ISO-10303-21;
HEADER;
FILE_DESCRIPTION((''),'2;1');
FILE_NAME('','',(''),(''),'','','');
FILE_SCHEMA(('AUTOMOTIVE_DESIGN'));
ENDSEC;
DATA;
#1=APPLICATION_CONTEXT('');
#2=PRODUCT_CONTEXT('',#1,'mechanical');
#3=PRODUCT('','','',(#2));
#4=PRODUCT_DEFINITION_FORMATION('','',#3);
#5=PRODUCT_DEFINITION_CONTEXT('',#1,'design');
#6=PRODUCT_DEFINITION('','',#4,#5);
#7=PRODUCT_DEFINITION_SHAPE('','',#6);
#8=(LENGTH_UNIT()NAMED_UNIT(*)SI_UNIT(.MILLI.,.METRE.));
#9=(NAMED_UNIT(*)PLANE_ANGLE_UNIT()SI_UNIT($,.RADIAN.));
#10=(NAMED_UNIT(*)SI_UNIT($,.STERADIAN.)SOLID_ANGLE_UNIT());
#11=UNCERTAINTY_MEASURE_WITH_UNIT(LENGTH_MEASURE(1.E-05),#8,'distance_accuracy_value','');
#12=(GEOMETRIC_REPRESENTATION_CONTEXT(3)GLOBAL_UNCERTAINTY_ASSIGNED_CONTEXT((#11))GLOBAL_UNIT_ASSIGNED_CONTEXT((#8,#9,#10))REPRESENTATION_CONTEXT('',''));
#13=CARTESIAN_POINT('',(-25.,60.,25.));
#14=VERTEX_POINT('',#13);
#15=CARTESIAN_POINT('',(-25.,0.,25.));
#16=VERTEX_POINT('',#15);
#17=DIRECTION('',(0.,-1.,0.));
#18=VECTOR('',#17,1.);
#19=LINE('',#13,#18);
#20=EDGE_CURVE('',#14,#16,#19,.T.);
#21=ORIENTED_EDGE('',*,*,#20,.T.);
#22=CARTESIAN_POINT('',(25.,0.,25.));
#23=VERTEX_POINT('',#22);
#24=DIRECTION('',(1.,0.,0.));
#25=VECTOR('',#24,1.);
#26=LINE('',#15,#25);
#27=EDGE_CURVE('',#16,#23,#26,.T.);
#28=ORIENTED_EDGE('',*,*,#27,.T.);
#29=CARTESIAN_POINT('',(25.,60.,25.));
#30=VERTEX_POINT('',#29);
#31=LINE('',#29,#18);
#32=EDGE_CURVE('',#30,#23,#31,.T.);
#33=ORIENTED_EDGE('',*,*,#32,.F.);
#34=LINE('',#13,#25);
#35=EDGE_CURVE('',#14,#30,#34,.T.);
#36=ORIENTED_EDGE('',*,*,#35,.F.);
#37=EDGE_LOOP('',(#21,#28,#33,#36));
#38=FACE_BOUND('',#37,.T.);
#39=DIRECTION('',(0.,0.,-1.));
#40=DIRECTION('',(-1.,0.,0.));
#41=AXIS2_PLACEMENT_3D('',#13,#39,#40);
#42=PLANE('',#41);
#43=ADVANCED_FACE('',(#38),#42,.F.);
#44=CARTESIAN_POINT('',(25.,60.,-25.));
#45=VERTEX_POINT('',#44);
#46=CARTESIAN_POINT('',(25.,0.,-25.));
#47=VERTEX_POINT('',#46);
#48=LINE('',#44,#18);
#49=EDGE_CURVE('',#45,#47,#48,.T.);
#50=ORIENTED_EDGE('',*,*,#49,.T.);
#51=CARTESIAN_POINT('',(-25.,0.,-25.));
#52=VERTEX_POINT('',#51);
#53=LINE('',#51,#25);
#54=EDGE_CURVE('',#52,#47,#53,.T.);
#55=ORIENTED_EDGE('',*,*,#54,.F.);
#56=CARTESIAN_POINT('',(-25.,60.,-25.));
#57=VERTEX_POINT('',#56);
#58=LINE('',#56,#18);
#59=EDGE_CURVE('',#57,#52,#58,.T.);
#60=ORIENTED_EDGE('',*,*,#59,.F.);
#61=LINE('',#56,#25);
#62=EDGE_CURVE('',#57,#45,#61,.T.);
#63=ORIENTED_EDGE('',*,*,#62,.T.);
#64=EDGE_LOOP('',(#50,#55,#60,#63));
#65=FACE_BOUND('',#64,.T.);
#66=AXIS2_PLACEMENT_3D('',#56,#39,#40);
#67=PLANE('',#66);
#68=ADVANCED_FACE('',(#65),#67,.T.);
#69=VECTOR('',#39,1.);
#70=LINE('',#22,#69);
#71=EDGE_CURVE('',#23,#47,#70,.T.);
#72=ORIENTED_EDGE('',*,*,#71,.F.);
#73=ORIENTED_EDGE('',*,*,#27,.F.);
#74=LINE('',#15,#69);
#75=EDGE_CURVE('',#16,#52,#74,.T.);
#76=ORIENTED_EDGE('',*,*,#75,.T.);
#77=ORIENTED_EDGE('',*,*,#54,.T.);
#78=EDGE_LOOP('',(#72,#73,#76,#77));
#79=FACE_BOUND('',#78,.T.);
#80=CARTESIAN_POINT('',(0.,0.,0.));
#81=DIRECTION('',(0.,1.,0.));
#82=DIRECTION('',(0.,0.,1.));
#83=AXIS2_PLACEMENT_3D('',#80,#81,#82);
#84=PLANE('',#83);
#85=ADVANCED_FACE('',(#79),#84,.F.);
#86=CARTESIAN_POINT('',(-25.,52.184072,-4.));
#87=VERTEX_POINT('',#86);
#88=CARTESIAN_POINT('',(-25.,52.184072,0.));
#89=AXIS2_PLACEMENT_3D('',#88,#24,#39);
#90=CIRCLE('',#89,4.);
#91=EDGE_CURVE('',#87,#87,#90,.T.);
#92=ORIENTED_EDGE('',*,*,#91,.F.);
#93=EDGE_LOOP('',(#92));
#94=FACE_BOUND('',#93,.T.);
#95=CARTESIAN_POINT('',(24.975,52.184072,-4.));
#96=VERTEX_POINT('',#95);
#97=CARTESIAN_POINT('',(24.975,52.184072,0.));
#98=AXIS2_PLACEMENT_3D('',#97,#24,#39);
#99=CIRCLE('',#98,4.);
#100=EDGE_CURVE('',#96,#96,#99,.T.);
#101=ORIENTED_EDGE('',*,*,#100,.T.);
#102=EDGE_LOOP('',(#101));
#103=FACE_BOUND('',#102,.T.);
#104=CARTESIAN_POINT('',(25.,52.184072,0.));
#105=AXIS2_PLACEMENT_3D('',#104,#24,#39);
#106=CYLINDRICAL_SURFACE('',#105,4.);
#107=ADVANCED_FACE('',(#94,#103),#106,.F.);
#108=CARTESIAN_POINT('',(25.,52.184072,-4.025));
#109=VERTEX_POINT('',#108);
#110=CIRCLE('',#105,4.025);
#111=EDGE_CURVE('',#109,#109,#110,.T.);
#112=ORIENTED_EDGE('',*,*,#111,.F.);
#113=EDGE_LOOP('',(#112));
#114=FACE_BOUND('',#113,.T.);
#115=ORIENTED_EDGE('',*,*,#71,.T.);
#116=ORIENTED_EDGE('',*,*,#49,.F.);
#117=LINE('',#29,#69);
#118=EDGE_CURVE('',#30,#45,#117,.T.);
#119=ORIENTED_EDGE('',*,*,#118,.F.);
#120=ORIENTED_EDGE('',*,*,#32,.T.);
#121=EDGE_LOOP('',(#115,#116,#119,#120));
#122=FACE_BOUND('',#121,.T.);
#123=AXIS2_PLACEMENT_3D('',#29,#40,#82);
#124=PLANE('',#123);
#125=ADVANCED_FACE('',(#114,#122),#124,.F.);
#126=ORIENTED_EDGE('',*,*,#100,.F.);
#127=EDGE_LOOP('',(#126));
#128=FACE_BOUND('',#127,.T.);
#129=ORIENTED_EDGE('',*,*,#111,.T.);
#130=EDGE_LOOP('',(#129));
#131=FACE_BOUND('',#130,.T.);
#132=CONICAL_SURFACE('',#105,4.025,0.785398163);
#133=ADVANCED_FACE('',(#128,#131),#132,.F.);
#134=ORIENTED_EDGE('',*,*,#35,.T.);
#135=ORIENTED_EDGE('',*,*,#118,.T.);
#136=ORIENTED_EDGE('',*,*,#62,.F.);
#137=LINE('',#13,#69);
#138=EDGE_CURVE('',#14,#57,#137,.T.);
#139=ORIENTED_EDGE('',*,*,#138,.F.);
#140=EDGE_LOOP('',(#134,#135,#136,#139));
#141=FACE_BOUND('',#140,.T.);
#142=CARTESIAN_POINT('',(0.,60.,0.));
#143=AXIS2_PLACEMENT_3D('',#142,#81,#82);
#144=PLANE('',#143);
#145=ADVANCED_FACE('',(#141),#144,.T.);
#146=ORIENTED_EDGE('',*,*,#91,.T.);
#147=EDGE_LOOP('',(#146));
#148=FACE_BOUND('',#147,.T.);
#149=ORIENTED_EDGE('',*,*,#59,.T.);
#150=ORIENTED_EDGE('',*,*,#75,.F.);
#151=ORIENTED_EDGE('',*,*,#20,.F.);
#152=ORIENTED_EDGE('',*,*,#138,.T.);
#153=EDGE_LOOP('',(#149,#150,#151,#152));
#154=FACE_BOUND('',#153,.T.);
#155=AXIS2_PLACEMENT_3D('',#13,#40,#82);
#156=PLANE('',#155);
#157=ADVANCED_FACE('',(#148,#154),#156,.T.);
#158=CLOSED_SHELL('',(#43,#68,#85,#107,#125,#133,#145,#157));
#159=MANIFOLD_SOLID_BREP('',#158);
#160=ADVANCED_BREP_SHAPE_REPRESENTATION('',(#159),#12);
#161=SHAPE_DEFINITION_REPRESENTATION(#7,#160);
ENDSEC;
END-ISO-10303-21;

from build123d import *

# Parameters (mm, degrees)
SKETCH1_W                       = 50
SKETCH1_H                       = 50
BOSS_EXTRUDE1_DEPTH             = 60
F_8_0MM_DOWEL_HOLE1_D           = 8
F_8_0MM_DOWEL_HOLE1_CSINK_D     = 8.05
F_8_0MM_DOWEL_HOLE1_CSINK_ANGLE = 90


with BuildPart() as part:
    # Sketch1 → Boss-Extrude1 (new body)
    with BuildSketch(Plane(origin=(0, 0, 0), x_dir=(1, 0, 0), z_dir=(0, 1, 0))):
        Rectangle(SKETCH1_W, SKETCH1_H)
    extrude(amount=BOSS_EXTRUDE1_DEPTH)

    # Ø8.0mm Dowel Hole1 (through all)
    with Locations(Plane(origin=(25, 0, 0), x_dir=(0, 0, -1), z_dir=(1, 0, 0))):
        with Locations((0, 52.184072135)):
            CounterSinkHole(F_8_0MM_DOWEL_HOLE1_D / 2, F_8_0MM_DOWEL_HOLE1_CSINK_D / 2, counter_sink_angle=F_8_0MM_DOWEL_HOLE1_CSINK_ANGLE)


solid = part.part
